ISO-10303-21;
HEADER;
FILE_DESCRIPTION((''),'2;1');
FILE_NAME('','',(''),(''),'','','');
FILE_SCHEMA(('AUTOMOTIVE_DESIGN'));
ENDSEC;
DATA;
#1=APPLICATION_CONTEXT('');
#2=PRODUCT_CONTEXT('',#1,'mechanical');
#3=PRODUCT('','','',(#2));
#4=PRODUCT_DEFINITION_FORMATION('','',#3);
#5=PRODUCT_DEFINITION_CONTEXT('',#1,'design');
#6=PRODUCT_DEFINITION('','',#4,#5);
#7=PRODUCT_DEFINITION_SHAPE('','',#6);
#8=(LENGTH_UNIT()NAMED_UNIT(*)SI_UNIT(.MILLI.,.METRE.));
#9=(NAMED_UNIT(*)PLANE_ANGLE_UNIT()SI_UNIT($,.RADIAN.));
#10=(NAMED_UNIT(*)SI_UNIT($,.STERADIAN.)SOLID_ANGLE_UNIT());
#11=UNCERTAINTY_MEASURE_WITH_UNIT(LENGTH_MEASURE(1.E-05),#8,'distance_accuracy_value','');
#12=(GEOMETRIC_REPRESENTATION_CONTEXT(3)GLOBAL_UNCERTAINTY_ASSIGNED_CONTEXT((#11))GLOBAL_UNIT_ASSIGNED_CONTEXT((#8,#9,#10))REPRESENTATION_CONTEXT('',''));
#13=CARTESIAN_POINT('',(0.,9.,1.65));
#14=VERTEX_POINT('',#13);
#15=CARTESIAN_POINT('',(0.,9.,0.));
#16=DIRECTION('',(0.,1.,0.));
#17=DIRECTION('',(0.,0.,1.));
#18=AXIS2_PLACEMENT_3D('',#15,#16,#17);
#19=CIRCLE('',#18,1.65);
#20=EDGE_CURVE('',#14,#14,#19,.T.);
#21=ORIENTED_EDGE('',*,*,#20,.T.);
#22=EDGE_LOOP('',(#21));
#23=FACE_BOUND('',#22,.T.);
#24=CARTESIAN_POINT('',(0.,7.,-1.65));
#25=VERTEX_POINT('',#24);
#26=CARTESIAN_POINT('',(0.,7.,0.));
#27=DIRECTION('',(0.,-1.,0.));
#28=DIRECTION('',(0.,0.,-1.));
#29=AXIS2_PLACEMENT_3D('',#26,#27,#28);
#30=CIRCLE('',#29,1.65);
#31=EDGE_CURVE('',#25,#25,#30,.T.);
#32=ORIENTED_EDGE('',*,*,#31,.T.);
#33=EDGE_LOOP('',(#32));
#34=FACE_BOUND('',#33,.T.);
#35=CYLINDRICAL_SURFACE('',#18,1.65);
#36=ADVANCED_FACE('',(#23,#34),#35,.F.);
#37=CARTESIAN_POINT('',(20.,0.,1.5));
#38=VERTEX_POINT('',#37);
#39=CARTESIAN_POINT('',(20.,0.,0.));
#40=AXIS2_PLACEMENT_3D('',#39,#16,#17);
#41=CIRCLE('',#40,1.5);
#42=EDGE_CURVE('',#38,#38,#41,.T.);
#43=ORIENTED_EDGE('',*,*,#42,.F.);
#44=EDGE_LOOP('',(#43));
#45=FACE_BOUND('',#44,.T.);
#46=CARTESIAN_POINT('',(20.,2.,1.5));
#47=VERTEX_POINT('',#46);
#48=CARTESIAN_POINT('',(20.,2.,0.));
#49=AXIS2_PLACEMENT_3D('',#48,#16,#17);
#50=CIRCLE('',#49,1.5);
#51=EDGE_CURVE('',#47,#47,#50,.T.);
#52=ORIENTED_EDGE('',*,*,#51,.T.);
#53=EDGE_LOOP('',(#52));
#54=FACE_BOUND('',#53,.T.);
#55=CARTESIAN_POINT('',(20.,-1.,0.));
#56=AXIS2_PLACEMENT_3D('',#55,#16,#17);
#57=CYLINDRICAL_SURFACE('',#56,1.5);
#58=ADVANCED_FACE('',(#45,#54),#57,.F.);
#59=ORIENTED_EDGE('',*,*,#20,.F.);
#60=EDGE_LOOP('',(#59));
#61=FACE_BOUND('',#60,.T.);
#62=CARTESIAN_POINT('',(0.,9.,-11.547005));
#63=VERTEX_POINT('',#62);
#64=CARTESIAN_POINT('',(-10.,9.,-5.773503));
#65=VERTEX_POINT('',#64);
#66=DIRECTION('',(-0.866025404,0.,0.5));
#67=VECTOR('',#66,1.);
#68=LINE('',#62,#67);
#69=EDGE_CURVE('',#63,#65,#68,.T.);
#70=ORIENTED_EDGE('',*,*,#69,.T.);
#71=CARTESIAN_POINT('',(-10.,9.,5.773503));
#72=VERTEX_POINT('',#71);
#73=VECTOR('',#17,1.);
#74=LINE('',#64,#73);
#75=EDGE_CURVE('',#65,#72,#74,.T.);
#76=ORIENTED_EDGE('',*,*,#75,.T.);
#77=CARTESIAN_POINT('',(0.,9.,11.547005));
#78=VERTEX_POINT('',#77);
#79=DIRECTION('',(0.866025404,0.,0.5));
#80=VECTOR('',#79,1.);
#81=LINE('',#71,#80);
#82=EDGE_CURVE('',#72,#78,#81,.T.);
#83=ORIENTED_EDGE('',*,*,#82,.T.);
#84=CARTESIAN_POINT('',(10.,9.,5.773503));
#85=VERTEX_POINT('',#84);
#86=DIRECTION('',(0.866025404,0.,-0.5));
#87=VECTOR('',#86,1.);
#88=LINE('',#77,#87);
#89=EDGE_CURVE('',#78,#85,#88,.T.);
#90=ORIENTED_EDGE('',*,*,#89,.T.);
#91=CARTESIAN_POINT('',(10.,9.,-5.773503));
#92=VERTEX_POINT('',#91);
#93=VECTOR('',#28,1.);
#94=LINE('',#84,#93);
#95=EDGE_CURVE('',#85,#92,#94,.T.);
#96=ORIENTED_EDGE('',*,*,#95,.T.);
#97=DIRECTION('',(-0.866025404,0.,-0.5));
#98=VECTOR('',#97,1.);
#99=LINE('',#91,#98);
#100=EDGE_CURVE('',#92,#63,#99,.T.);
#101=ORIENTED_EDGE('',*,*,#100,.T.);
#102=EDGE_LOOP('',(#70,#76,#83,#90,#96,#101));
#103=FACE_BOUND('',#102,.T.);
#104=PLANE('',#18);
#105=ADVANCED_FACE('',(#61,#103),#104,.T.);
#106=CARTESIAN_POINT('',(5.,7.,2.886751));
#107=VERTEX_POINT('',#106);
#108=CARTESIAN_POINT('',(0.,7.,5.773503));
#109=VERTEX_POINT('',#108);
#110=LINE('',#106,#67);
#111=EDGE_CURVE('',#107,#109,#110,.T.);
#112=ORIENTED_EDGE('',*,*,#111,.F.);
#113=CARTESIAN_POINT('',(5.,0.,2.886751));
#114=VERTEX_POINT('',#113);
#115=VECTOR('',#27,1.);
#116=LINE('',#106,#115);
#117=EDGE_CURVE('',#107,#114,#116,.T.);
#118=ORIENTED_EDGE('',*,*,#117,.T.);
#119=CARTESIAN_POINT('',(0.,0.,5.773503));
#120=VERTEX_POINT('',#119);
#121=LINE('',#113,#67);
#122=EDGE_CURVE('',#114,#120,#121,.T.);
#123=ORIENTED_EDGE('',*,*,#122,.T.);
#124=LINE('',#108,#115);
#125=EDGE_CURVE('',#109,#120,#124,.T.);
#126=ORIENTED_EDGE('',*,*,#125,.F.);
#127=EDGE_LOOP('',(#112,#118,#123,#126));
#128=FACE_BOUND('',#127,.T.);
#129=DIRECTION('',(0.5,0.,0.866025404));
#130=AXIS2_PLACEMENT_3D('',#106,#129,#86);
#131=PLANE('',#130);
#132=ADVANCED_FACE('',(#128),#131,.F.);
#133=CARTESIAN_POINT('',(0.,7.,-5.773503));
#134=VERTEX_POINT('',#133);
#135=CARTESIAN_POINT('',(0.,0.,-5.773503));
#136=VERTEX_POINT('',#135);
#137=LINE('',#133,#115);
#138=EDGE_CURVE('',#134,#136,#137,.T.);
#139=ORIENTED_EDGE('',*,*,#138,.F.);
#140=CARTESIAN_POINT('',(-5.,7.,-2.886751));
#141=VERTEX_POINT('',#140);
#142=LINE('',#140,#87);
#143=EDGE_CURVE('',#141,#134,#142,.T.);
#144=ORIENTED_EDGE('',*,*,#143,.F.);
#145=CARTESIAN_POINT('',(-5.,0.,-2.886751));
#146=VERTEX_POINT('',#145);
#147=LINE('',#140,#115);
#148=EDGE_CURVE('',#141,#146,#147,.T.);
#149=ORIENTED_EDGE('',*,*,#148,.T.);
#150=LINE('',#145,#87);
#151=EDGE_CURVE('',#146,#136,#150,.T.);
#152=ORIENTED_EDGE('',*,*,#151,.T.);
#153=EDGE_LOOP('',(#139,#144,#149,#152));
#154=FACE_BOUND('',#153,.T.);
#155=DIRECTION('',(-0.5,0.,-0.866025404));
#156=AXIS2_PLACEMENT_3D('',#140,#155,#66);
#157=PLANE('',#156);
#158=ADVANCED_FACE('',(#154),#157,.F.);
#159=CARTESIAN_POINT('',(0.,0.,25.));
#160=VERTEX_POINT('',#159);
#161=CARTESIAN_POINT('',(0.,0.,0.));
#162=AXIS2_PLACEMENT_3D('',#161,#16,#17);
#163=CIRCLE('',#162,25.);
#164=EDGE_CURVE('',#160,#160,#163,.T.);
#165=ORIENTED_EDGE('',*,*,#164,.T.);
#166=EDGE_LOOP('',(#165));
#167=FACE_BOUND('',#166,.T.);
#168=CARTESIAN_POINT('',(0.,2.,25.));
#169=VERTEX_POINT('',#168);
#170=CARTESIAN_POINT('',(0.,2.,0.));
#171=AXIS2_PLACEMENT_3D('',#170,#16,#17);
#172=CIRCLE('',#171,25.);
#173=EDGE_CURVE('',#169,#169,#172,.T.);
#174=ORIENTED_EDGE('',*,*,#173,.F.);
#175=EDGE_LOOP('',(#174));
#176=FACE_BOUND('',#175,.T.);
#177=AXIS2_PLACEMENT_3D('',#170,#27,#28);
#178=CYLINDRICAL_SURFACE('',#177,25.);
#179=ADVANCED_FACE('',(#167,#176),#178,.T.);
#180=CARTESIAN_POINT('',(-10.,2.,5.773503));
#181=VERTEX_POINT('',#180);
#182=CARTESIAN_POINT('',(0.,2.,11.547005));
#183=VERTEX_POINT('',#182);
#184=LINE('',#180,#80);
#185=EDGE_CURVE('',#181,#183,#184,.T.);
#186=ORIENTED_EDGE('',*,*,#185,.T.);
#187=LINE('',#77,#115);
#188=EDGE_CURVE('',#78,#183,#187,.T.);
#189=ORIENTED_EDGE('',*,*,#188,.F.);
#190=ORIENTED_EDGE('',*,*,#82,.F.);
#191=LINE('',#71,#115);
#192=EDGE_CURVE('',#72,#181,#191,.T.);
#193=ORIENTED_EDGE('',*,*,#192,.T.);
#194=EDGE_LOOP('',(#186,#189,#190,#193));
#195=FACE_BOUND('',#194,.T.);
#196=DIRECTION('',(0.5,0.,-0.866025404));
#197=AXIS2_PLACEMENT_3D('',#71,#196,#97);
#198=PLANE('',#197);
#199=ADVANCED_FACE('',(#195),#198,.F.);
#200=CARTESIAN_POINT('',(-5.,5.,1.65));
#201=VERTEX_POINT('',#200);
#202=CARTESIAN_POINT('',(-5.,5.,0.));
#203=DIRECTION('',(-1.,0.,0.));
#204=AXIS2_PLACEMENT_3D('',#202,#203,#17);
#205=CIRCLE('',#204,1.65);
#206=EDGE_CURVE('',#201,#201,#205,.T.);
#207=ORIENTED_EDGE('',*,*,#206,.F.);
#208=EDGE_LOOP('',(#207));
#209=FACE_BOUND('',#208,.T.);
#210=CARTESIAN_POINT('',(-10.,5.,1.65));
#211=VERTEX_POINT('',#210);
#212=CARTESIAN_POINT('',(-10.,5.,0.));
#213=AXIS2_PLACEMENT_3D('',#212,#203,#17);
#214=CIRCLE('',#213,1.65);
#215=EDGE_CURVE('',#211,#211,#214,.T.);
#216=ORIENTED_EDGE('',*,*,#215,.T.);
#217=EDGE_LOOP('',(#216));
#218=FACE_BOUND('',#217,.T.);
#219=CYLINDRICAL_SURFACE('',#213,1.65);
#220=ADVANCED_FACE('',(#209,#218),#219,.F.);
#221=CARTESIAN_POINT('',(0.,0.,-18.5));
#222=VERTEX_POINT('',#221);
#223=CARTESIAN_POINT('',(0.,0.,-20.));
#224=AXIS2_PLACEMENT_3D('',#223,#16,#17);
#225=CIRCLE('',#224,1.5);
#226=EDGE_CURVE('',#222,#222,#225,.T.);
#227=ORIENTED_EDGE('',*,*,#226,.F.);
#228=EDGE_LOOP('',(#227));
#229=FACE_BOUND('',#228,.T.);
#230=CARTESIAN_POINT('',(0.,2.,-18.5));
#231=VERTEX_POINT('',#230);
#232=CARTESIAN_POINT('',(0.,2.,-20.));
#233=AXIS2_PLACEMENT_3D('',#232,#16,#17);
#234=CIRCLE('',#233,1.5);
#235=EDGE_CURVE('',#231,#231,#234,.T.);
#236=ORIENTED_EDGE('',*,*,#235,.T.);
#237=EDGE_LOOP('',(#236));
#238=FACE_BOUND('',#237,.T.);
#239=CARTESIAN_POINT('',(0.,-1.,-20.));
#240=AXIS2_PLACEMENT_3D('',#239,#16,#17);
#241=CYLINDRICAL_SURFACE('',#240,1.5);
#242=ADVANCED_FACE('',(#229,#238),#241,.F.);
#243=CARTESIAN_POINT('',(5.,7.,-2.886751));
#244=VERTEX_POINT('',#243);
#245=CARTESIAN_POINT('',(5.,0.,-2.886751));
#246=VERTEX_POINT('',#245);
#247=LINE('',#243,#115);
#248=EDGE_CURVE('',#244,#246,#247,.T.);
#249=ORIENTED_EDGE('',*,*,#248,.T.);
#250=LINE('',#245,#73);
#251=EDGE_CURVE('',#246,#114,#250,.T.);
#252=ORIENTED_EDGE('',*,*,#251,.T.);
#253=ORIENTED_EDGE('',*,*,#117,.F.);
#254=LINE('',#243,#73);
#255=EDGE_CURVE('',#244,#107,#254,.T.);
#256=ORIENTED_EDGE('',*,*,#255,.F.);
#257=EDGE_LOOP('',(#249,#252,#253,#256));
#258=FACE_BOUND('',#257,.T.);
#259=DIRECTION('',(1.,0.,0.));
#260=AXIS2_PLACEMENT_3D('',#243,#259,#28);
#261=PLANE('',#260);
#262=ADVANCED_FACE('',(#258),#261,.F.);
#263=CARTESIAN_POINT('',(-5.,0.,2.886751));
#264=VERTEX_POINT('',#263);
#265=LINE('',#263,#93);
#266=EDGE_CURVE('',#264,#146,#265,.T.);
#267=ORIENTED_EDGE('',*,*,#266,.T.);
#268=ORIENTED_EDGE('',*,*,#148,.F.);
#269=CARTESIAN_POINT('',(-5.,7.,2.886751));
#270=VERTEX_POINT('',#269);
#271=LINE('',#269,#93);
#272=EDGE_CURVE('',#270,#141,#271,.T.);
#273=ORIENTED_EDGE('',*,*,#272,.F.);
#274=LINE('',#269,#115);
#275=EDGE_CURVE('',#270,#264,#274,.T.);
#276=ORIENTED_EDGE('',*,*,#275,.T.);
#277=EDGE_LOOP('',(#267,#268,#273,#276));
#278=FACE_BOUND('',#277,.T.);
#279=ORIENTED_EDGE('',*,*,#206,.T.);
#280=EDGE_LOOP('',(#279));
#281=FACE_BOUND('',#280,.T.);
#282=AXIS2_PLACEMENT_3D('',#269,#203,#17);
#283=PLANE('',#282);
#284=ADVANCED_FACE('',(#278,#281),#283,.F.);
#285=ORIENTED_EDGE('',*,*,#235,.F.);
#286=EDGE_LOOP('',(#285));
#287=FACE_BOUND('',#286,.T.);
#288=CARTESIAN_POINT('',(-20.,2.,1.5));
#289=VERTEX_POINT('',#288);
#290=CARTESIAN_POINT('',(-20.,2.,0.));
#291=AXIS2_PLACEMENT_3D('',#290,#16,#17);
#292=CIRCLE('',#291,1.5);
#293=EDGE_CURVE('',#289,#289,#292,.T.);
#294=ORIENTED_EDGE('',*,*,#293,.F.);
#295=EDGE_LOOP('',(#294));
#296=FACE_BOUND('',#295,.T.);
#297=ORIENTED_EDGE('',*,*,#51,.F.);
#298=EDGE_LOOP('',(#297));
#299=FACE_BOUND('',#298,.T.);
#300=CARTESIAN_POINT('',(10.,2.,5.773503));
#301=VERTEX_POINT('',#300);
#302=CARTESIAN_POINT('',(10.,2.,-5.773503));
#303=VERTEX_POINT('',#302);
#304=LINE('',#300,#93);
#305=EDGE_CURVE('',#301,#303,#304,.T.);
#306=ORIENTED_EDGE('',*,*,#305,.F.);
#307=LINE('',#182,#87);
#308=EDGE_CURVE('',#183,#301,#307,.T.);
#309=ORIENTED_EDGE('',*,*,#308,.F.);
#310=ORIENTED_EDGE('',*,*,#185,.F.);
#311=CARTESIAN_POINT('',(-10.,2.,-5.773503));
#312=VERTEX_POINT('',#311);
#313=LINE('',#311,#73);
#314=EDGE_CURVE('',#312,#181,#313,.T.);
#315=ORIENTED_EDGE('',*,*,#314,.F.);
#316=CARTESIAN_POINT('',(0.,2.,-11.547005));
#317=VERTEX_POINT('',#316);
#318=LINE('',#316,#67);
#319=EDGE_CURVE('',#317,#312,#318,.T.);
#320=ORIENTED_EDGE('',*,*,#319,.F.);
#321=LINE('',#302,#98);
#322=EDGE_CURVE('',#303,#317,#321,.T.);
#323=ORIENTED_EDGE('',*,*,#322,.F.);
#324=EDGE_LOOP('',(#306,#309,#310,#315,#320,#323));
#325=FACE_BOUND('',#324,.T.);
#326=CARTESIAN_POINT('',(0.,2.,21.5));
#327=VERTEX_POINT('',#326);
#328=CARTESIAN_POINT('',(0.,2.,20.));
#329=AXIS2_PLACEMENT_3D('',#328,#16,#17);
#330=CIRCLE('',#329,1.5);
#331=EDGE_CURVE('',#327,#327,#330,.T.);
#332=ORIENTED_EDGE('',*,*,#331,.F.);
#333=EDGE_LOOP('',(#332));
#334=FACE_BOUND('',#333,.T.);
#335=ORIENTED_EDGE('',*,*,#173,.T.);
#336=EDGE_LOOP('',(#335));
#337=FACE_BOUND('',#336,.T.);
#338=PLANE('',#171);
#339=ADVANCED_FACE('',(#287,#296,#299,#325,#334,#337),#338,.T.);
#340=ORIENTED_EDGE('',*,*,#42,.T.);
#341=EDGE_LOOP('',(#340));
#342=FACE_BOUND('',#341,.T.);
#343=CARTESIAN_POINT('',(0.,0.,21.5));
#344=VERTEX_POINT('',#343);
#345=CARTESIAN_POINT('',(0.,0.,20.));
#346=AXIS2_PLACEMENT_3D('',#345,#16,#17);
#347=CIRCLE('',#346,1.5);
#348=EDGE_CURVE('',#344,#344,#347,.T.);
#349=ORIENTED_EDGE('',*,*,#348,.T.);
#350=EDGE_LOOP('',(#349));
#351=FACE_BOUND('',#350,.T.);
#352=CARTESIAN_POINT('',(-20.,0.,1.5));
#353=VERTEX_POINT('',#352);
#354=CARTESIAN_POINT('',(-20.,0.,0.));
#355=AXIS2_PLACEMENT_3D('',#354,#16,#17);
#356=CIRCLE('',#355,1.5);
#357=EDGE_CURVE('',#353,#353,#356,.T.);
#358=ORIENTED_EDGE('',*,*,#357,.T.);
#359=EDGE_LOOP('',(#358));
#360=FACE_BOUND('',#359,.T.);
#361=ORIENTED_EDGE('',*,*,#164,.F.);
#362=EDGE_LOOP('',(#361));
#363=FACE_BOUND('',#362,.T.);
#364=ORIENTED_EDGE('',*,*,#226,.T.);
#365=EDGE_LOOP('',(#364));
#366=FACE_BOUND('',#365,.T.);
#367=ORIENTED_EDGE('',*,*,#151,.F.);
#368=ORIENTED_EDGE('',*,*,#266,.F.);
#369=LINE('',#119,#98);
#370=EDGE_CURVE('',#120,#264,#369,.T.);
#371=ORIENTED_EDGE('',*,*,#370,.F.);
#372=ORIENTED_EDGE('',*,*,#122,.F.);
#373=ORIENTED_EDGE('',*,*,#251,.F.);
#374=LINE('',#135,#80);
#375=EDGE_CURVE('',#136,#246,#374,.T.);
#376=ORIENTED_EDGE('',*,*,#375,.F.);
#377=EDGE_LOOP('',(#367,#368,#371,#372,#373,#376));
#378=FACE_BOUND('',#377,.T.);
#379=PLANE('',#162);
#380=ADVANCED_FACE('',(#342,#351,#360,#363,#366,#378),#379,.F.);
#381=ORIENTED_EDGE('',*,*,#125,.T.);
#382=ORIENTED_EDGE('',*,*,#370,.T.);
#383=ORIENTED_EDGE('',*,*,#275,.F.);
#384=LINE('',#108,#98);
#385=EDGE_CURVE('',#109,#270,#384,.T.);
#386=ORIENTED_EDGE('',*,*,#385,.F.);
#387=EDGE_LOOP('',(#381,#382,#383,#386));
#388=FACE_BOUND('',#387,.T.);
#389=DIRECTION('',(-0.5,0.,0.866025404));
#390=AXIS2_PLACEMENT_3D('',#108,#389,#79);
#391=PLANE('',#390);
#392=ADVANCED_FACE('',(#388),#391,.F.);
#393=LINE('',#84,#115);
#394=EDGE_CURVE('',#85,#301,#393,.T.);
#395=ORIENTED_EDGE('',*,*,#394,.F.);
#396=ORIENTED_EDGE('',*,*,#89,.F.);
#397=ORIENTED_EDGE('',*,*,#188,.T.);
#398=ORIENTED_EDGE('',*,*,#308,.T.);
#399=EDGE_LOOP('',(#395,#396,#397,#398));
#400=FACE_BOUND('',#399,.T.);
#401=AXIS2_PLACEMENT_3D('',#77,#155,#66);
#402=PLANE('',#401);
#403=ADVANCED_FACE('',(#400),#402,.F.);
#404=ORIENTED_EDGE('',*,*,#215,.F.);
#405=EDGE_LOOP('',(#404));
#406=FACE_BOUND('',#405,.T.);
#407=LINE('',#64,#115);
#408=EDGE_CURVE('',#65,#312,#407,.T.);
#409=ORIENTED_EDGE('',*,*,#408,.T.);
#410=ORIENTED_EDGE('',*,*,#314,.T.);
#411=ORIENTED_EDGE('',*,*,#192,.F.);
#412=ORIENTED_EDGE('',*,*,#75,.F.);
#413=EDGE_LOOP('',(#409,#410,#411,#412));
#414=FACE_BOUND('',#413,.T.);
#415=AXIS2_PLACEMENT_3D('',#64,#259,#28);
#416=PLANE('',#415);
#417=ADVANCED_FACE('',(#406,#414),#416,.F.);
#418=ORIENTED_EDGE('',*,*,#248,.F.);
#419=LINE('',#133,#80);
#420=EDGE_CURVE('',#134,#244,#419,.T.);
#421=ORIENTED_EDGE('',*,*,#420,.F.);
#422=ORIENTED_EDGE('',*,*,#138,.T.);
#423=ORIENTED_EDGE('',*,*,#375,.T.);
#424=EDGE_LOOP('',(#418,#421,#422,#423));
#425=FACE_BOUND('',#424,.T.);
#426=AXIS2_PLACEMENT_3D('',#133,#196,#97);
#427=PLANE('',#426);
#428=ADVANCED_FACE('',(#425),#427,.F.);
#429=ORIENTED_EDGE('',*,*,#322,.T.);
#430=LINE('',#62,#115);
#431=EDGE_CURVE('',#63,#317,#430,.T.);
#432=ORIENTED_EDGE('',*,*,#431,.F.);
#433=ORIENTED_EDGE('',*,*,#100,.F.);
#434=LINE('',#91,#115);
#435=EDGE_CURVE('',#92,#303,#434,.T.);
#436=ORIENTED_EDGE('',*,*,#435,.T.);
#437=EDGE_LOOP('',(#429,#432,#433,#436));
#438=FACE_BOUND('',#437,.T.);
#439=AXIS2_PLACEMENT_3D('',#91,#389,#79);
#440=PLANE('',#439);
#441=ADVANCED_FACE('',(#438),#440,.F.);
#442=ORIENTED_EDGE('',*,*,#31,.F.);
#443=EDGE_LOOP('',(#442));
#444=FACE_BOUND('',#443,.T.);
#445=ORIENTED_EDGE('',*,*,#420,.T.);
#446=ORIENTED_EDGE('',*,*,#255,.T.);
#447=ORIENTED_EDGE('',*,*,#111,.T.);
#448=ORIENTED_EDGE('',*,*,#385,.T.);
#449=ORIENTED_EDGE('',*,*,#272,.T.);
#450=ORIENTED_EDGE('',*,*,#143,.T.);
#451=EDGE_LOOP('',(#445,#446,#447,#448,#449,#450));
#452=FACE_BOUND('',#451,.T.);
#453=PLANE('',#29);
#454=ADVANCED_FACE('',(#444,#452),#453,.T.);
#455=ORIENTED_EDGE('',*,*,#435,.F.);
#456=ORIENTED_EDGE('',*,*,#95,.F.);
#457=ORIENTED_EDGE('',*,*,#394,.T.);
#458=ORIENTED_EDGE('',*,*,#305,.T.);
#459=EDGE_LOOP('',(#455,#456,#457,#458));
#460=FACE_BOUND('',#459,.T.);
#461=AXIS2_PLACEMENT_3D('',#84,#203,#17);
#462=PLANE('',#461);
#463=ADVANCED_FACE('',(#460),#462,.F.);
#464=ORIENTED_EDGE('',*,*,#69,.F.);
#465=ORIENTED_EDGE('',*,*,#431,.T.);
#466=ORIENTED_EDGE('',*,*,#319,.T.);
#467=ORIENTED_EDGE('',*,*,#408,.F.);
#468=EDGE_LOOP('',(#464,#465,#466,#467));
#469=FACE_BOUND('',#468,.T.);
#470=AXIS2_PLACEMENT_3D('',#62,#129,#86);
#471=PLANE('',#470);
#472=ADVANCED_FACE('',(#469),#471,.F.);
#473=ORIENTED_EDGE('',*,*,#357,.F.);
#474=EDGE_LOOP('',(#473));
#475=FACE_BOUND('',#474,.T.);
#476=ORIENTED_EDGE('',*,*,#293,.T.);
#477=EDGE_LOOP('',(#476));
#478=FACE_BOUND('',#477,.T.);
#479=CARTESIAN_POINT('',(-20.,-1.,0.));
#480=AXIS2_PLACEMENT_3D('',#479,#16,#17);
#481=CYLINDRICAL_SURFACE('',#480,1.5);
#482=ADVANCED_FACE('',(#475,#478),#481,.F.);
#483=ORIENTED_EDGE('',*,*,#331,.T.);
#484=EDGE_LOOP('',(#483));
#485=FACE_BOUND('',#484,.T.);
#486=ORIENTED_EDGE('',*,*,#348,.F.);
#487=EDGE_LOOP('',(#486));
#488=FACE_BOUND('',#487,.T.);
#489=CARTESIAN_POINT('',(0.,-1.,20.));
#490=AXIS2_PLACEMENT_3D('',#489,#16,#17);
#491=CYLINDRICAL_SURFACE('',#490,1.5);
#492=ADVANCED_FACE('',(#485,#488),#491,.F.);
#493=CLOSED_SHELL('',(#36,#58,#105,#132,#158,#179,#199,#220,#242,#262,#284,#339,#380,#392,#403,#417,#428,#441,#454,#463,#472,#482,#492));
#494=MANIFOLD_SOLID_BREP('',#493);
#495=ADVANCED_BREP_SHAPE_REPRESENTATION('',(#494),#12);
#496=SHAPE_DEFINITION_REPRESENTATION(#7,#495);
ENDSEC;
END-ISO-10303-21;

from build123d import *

# Parameters (mm, degrees)
SKETCH1_R             = 25
BOSS_EXTRUDE1_DEPTH   = 2
SKETCH2_R             = 1.5
CUT_EXTRUDE1_DEPTH    = 3
BOSS_EXTRUDE2_DEPTH   = 7
CUT_EXTRUDE2_DEPTH    = 7
M4_TAPPED_HOLE1_D     = 3.3
M4_TAPPED_HOLE1_DEPTH = 5
M4_TAPPED_HOLE2_D     = 3.3


with BuildPart() as part:
    # Sketch1 → Boss-Extrude1 (new body)
    with BuildSketch(Plane(origin=(0, 0, 0), x_dir=(1, 0, 0), z_dir=(0, 1, 0))):
        with Locations(Location((0, 0, 0), (0, 0, 270))):
            Circle(SKETCH1_R)
    extrude(amount=BOSS_EXTRUDE1_DEPTH)

    # Sketch2 → Cut-Extrude1 (cut)
    with BuildSketch(Plane(origin=(0, 2, 0), x_dir=(1, 0, 0), z_dir=(0, 1, 0))):
        with Locations(Location((0, 20, 0), (0, 0, 270))):
            Circle(SKETCH2_R)
        with Locations(Location((20, 0, 0), (0, 0, 270))):
            Circle(SKETCH2_R)
        with Locations(Location((0, -20, 0), (0, 0, 270))):
            Circle(SKETCH2_R)
        with Locations(Location((-20, 0, 0), (0, 0, 270))):
            Circle(SKETCH2_R)
    extrude(amount=-CUT_EXTRUDE1_DEPTH, mode=Mode.SUBTRACT)

    # Sketch3 → Boss-Extrude2 (add)
    with BuildSketch(Plane(origin=(0, 2, 0), x_dir=(1, 0, 0), z_dir=(0, 1, 0))):
        Polygon((0, 11.547005384), (-10, 5.773502692), (-10, -5.773502692), (0, -11.547005384), (10, -5.773502692), (10, 5.773502692), align=None)
    extrude(amount=BOSS_EXTRUDE2_DEPTH)

    # Sketch4 → Cut-Extrude2 (cut)
    with BuildSketch(Plane.XZ):
        Polygon((0, 5.773502692), (-5, 2.886751346), (-5, -2.886751346), (0, -5.773502692), (5, -2.886751346), (5, 2.886751346), align=None)
    extrude(amount=-CUT_EXTRUDE2_DEPTH, mode=Mode.SUBTRACT)

    # M4 Tapped Hole1
    with Locations(Plane.ZY.offset(10)):
        with Locations((0, 5)):
            Hole(M4_TAPPED_HOLE1_D / 2, depth=M4_TAPPED_HOLE1_DEPTH)

    # M4 Tapped Hole2 (through all)
    with Locations(Plane(origin=(0, 9, 0), x_dir=(1, 0, 0), z_dir=(0, 1, 0))):
        with Locations((0, 0)):
            Hole(M4_TAPPED_HOLE2_D / 2)


solid = part.part
